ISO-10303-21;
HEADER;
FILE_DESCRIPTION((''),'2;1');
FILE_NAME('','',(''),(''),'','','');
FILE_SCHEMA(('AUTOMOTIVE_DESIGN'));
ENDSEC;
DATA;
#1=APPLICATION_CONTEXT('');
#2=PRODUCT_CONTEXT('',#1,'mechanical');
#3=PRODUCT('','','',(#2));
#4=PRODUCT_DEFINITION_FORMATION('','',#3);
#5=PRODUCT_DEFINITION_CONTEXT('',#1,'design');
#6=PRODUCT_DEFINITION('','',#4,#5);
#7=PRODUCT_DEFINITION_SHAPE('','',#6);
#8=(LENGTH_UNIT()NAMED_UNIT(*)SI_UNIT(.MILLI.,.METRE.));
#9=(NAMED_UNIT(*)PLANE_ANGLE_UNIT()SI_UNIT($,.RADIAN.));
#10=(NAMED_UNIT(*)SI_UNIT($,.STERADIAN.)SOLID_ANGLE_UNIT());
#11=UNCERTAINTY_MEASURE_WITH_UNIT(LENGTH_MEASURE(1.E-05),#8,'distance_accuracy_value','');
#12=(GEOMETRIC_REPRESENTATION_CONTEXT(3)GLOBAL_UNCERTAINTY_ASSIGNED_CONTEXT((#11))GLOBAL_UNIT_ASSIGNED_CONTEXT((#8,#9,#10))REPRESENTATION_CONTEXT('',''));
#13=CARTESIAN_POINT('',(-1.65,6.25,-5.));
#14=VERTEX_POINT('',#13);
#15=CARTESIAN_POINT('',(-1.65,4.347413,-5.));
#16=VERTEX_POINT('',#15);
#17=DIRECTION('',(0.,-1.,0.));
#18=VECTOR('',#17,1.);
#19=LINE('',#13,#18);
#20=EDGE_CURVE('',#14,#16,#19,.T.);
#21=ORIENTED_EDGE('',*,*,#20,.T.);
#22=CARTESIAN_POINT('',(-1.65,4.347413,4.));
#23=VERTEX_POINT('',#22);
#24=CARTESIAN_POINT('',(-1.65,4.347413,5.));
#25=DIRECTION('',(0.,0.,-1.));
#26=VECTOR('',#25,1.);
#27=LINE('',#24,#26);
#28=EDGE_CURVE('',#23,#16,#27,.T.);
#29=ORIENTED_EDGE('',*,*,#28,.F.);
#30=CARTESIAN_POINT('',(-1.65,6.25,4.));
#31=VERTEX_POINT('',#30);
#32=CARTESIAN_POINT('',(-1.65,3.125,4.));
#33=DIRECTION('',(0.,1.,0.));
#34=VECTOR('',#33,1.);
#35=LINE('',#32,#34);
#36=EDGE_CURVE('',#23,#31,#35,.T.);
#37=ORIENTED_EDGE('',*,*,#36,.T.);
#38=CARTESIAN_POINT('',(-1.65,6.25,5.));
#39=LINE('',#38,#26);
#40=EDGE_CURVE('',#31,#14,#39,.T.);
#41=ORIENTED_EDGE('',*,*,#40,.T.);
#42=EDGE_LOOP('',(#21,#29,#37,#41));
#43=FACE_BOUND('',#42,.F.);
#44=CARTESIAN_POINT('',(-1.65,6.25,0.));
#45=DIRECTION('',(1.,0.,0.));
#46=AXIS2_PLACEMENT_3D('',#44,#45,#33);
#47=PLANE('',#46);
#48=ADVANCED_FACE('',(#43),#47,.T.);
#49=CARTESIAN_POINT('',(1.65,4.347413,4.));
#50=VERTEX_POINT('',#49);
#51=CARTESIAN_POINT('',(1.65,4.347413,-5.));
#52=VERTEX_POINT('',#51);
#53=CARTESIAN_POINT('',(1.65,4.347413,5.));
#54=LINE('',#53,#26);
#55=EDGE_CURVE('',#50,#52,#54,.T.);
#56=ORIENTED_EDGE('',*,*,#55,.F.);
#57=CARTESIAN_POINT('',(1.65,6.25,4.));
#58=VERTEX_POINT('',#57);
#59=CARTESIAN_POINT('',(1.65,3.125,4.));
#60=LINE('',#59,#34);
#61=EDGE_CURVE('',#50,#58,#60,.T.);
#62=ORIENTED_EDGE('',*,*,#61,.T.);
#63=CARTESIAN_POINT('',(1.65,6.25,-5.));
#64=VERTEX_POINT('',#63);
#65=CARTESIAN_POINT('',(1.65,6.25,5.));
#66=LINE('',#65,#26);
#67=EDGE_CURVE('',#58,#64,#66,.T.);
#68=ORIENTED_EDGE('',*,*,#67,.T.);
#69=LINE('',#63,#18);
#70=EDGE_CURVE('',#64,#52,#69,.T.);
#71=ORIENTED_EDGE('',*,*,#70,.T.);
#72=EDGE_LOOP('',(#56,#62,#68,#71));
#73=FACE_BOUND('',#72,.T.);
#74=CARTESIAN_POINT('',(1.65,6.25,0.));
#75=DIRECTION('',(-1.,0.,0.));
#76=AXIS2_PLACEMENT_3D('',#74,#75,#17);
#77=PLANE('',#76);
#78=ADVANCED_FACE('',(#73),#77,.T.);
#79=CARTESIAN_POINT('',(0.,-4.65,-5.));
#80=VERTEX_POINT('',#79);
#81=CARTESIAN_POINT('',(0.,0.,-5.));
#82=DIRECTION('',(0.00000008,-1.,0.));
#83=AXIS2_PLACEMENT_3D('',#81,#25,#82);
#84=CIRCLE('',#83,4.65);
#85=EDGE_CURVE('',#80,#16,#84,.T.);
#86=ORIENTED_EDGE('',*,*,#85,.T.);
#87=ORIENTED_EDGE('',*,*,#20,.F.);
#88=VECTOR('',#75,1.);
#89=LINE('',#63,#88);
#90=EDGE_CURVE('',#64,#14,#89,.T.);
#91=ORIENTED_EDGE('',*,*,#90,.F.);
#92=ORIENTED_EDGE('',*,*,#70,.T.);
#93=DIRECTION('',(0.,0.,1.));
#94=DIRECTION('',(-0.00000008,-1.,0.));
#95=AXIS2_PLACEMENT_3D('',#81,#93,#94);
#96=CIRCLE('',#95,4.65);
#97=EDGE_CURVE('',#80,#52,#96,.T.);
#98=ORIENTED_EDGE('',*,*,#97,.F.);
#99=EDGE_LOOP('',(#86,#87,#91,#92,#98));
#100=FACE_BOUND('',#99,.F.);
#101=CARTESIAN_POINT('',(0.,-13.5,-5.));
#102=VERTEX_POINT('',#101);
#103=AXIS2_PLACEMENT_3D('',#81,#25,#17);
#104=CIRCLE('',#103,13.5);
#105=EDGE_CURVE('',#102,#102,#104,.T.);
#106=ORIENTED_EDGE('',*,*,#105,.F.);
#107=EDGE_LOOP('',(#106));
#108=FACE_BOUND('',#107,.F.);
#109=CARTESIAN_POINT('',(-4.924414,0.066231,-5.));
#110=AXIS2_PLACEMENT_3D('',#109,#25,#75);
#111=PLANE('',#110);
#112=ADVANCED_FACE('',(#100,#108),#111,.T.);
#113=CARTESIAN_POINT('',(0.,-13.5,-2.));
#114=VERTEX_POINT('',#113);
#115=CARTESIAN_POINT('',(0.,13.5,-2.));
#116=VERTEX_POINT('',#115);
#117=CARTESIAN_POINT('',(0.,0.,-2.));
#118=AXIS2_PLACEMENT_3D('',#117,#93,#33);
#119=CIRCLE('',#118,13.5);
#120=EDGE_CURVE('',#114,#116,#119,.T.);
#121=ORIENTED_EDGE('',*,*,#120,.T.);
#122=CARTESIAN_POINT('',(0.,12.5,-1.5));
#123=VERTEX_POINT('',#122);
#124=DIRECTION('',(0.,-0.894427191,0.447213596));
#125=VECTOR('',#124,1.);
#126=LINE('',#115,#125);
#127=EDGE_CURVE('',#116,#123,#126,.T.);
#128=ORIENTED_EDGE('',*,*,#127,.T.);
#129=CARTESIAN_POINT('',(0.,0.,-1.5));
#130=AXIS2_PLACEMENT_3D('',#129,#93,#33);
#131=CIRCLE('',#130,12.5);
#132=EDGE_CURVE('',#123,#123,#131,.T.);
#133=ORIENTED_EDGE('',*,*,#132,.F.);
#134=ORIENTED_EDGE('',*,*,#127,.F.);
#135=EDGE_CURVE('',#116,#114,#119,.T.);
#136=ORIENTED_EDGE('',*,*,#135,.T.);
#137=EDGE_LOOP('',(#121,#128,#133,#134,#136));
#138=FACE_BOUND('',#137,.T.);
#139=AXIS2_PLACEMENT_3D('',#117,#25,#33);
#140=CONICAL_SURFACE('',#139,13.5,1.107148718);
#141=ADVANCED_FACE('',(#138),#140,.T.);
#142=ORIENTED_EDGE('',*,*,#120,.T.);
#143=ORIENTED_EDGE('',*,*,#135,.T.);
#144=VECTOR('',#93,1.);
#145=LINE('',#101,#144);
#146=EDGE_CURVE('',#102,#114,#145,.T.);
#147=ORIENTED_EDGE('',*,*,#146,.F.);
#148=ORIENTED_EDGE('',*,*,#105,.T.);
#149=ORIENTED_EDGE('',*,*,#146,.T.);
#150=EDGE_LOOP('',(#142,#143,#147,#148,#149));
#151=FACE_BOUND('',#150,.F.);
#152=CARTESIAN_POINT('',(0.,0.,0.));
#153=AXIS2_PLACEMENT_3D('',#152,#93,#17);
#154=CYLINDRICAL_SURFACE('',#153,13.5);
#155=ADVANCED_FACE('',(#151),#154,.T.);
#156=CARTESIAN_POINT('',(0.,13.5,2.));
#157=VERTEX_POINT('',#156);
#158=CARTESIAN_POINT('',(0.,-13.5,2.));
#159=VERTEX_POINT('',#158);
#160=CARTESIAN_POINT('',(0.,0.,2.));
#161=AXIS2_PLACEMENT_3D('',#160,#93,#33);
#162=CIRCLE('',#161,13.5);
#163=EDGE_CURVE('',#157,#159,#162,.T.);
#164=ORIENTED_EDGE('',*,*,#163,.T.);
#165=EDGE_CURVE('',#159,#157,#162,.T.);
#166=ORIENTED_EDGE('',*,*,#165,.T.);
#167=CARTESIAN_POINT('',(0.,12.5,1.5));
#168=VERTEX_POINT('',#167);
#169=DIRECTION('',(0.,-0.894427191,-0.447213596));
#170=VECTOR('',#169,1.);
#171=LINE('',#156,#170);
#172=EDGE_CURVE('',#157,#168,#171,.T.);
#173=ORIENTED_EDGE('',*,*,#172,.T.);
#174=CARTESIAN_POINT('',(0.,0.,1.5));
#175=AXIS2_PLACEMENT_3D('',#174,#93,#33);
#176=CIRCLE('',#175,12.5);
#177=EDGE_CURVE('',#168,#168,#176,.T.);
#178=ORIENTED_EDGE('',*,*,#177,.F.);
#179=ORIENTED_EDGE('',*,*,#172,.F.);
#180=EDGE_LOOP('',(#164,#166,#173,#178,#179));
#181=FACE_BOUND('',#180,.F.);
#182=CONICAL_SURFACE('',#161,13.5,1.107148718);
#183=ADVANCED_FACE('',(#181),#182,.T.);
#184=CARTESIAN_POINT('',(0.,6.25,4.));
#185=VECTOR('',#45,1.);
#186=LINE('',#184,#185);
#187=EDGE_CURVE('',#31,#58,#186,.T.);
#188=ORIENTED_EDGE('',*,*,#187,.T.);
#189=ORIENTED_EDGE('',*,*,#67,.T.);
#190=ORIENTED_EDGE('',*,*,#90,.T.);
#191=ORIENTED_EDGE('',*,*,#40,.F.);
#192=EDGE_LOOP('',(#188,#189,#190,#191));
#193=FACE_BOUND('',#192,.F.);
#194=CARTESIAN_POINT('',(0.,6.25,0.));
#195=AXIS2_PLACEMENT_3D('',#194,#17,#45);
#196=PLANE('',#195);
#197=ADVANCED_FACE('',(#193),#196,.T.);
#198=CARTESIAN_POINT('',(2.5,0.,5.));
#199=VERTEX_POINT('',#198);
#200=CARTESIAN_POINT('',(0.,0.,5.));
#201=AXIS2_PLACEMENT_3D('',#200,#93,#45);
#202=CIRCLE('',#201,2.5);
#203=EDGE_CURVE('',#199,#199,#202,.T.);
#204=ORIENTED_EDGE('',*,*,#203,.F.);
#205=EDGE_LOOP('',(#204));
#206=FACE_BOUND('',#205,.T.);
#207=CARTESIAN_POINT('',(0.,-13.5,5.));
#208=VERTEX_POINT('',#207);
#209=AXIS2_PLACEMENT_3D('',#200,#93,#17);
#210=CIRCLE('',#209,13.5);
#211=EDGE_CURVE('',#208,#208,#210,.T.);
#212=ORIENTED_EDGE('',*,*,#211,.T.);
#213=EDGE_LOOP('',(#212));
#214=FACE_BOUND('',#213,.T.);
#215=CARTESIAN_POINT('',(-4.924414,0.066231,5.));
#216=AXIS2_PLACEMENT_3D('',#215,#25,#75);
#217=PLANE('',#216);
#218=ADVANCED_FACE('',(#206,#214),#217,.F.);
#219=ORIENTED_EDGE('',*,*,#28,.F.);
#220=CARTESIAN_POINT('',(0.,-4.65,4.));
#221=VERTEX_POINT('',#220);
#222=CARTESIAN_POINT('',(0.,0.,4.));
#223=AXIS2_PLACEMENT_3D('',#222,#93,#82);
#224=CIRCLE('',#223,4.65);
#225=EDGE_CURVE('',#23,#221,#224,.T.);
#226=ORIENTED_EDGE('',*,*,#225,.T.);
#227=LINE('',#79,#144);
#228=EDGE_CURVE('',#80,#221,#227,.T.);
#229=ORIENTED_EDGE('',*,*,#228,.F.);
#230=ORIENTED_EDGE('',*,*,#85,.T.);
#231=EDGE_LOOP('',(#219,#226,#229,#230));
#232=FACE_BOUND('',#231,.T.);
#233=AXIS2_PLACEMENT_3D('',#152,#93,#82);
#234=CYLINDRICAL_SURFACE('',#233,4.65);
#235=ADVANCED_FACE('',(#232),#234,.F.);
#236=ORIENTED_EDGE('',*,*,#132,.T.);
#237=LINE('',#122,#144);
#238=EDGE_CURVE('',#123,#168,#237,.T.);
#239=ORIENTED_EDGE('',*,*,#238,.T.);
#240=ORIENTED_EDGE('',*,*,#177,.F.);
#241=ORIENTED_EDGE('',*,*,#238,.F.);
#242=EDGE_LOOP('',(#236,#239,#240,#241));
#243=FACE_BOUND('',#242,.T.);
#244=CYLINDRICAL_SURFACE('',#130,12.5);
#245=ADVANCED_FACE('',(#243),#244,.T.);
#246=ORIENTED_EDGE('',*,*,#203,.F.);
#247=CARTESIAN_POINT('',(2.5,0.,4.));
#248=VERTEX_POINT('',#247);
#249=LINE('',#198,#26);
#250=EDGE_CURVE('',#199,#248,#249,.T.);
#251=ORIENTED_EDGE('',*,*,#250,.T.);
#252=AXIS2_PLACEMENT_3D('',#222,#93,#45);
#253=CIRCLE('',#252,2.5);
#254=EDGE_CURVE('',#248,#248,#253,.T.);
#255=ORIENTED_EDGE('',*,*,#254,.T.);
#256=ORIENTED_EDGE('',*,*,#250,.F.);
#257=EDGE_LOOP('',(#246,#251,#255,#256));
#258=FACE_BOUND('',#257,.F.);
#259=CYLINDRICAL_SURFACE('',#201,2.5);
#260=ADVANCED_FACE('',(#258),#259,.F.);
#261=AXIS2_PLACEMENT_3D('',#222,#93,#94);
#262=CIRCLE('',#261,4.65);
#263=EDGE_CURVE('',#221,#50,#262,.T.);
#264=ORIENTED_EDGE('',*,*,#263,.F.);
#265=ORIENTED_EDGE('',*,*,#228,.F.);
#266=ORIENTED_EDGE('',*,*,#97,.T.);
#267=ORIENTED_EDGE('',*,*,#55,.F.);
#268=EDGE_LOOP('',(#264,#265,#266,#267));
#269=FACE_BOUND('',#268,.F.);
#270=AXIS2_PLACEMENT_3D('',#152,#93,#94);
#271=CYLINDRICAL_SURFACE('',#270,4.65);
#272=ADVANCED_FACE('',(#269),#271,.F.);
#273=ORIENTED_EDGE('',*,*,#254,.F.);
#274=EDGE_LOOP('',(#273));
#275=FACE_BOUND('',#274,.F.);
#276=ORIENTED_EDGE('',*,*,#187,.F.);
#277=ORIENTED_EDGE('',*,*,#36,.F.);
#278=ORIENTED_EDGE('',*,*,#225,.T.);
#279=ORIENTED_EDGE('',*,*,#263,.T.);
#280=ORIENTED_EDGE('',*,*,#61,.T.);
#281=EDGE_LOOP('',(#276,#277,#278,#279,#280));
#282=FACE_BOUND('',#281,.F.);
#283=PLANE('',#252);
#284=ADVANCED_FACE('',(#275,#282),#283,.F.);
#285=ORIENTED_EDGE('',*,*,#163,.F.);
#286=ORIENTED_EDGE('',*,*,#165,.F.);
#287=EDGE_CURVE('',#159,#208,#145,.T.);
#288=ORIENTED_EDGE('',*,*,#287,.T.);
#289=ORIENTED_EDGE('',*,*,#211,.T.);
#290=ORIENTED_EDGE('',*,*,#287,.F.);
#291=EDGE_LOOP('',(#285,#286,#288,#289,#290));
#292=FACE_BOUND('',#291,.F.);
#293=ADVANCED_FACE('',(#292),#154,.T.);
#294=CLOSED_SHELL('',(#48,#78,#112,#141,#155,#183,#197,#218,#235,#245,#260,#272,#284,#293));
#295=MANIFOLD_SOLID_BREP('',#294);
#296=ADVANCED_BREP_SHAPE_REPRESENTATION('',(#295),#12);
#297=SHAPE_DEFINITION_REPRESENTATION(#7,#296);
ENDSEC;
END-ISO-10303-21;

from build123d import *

# Parameters (mm, degrees)
PAD_DEPTH     = 5
SKETCH003_R   = 8.028816
SKETCH003_R_2 = 2.5
PAD001_DEPTH  = 1


with BuildPart() as part:
    # Sketch → Pad (new body, symmetric)
    with BuildSketch(Plane.XY):
        with BuildLine():
            ThreePointArc((0, -4.65), (4.573728, -0.838758), (1.65, 4.347413))
            Line((1.65, 6.25), (1.65, 4.347413))
            Line((0, 6.25), (1.65, 6.25))
            Line((0, 13.5), (0, 6.25))
            ThreePointArc((0, -13.5), (13.5, 0), (0, 13.5))
            Line((0, -4.65), (0, -13.5))
        make_face()
    pad = extrude(amount=PAD_DEPTH, both=True)

    # Mirrored: Pad across Sketch V_Axis
    add(pad.mirror(Plane(origin=(0, 0, 0), x_dir=(0, 0, 1), z_dir=(1, 0, 0))))

    # Sketch001 → Groove (revolve, cut)
    with BuildSketch(Plane.YZ):
        Polygon((13.5, 0), (13.5, 2), (12.5, 1.5), (12.5, 0), align=None)
    groove = revolve(axis=Axis((0, 0, 0), (0, 0, 1)), mode=Mode.SUBTRACT)

    # Mirrored001: Groove across Sketch001 H_Axis
    add(groove.mirror(Plane.XY), mode=Mode.SUBTRACT)

    # Sketch003 → Pad001 (join)
    with BuildSketch(Plane.XY.offset(5)):
        Circle(SKETCH003_R)
        Circle(SKETCH003_R_2, mode=Mode.SUBTRACT)
    extrude(amount=-PAD001_DEPTH)


solid = part.part
